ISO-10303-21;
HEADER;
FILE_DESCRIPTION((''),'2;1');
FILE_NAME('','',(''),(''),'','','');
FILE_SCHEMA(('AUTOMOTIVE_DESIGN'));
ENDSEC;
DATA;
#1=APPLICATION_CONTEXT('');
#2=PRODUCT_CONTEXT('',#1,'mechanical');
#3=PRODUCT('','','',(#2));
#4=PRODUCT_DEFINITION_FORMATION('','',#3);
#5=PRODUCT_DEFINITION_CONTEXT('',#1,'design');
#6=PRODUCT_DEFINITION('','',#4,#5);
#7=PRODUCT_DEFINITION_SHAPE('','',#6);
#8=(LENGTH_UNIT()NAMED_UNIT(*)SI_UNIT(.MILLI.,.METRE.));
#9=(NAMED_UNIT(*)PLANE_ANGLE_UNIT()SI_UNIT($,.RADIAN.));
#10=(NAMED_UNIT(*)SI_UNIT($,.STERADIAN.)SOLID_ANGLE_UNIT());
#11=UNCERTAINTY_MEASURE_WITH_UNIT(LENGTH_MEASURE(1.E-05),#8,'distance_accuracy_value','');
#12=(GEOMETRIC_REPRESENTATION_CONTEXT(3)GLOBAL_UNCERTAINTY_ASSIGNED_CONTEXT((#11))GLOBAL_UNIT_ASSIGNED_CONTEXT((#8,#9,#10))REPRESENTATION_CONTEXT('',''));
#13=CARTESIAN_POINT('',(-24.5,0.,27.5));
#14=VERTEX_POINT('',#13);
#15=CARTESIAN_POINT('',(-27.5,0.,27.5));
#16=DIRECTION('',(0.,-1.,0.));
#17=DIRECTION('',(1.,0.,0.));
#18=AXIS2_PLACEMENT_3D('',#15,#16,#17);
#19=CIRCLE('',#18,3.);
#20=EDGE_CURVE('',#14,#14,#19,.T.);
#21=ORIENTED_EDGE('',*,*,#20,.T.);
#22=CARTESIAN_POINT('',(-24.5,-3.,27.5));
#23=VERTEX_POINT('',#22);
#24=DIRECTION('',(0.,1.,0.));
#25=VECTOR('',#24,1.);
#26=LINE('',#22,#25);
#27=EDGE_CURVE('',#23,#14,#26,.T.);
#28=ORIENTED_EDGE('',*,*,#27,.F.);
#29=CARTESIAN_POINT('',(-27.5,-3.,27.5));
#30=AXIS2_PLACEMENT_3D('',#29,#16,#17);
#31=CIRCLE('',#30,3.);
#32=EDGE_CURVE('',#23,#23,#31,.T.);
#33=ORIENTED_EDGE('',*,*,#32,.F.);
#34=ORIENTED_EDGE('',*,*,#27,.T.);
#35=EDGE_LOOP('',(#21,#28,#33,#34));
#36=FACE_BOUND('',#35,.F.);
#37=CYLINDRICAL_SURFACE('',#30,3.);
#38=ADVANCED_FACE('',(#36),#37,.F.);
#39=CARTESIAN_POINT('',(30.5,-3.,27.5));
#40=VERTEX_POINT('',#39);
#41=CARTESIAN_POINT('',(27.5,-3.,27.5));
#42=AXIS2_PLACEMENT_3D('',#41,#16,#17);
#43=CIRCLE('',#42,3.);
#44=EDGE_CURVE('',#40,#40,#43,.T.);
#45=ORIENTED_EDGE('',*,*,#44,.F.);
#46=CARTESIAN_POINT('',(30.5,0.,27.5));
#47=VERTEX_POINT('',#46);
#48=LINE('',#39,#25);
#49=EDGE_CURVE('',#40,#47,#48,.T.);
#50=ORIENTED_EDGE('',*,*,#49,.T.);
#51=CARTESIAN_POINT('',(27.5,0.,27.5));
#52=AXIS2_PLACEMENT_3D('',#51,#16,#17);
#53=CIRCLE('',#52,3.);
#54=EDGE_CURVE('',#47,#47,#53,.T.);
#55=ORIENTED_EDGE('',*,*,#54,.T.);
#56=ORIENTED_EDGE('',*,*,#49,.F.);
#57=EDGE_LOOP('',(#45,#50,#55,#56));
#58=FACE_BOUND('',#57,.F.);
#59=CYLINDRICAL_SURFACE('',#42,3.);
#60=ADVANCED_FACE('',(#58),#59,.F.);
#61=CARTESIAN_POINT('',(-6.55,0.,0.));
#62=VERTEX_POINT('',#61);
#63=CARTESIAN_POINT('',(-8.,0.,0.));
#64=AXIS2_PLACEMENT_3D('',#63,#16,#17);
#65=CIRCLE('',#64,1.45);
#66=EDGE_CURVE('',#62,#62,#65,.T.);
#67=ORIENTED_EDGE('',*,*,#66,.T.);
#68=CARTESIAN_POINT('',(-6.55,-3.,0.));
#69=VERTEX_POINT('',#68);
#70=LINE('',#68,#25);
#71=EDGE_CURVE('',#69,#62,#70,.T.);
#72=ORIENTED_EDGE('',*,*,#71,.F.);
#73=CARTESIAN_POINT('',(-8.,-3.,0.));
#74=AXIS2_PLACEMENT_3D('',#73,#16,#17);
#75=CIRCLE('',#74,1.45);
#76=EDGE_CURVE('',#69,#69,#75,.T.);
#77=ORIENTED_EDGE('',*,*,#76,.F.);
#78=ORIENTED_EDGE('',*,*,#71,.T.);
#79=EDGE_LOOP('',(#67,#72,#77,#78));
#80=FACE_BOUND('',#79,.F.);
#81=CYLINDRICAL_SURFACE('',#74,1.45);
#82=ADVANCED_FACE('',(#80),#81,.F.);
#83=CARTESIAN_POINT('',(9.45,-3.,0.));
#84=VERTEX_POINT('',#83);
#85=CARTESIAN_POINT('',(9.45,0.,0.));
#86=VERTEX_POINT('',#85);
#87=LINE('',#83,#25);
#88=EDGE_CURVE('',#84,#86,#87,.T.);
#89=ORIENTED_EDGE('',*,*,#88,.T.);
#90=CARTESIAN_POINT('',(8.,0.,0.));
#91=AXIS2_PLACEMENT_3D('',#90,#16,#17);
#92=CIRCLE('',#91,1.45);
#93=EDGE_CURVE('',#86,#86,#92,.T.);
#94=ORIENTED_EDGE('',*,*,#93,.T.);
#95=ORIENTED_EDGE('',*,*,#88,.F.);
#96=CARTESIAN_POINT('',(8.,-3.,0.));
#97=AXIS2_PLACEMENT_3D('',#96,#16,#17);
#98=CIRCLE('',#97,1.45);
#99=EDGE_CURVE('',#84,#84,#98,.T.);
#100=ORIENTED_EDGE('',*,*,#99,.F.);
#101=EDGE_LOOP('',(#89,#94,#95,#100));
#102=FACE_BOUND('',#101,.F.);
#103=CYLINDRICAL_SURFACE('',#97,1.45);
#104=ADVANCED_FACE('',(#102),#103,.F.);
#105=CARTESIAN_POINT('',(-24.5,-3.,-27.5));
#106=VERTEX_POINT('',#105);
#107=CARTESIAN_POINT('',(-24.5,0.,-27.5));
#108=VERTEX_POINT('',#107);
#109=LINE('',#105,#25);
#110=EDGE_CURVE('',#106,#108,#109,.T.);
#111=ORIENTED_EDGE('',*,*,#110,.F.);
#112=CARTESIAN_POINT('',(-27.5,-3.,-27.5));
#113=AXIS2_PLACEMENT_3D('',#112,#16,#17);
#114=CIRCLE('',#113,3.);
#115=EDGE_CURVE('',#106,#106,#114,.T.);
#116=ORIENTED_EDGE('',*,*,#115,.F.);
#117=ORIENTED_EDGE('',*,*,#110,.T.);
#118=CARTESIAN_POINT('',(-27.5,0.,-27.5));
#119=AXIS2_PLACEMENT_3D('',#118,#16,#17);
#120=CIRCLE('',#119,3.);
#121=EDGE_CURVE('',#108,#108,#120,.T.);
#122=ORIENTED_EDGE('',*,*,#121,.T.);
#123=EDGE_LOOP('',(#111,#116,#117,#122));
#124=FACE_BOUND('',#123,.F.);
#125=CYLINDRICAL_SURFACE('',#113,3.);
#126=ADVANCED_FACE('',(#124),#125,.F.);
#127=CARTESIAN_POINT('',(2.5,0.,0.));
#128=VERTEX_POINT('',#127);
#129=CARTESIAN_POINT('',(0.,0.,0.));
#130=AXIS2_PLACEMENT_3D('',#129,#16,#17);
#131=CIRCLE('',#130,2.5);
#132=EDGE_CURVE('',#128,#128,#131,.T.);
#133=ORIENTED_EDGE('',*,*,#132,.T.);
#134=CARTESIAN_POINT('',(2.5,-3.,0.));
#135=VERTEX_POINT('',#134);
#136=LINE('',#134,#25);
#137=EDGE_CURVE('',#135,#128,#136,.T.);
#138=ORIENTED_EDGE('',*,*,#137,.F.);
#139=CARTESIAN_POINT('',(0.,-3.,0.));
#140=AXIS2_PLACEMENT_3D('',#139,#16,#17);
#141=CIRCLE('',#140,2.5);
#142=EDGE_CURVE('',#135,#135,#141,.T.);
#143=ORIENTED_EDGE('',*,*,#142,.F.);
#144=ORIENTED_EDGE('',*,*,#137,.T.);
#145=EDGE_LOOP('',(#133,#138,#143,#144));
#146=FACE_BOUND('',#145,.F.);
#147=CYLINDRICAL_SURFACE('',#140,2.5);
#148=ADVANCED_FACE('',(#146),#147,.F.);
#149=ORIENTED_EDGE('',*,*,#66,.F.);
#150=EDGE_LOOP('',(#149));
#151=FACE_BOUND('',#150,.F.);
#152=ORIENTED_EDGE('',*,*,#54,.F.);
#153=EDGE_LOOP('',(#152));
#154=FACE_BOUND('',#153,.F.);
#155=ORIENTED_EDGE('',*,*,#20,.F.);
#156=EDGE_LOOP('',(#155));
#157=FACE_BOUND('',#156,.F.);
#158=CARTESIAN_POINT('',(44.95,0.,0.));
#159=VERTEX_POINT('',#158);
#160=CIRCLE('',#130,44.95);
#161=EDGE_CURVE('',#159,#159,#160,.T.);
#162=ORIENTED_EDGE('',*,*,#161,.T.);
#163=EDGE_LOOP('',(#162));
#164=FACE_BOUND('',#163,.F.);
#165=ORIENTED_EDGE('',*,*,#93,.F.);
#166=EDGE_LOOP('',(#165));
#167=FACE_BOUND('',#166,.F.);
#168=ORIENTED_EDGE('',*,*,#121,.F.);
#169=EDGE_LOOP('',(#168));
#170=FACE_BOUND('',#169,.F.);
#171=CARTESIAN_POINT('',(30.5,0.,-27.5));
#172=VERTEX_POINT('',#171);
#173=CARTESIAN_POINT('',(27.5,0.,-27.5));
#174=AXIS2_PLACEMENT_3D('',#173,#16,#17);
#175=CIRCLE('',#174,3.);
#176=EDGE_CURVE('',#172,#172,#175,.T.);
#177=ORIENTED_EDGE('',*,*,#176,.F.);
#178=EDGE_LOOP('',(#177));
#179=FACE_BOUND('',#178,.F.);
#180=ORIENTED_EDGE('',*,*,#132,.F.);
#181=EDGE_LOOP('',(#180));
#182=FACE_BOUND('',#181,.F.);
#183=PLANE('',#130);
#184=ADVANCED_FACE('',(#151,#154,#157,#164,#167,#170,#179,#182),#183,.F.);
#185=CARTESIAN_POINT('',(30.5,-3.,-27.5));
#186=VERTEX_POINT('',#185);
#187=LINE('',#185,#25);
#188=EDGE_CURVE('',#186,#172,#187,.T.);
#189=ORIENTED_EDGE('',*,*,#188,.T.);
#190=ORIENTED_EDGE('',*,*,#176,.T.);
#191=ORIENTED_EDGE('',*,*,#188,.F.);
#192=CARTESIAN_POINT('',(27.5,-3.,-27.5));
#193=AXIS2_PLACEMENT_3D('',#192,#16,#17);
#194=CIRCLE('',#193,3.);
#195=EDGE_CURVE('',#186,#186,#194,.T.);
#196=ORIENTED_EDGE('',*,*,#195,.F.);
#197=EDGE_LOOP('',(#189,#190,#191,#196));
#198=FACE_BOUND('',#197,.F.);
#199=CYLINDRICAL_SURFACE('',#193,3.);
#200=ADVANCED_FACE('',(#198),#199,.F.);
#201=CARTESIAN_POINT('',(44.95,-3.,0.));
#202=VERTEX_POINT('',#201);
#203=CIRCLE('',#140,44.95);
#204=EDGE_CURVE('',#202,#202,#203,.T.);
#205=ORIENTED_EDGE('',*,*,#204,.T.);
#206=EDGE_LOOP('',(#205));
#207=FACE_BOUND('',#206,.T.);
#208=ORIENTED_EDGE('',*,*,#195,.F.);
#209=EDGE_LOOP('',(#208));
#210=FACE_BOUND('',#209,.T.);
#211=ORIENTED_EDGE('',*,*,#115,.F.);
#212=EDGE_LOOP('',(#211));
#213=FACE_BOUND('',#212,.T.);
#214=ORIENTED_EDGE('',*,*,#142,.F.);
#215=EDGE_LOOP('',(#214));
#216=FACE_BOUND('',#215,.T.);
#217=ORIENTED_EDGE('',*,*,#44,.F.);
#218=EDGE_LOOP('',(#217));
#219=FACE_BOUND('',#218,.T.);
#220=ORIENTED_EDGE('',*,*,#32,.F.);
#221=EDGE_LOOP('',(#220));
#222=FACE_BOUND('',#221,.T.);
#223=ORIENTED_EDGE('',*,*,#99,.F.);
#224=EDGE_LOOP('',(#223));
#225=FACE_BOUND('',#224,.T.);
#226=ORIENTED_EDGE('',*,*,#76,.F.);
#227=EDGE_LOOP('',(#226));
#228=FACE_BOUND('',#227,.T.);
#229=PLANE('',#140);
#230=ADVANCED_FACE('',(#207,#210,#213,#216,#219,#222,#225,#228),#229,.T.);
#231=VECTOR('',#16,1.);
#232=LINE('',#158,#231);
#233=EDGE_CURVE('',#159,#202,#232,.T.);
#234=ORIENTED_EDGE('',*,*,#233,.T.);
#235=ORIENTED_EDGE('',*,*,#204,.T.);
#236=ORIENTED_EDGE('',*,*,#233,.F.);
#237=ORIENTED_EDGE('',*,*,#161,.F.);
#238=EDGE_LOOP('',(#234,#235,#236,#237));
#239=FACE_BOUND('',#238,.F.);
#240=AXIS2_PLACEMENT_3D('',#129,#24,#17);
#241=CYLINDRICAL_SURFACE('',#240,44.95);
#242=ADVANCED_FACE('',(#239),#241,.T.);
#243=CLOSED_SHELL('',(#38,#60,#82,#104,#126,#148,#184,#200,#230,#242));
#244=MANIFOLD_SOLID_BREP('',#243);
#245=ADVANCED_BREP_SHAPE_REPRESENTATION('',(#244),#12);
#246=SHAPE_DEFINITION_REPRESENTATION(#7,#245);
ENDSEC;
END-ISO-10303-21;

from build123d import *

# Parameters (mm, degrees)
F0_R     = 44.95
F1_DEPTH = 3
F2_R     = 1.45
F2_R_2   = 2.5
F3_DEPTH = 3.001
F4_R     = 3
F5_DEPTH = 3.001


with BuildPart() as f1:
    # F0 (on Front) → F1 (new body)
    with BuildSketch(Plane.XZ):
        Circle(F0_R)
    extrude(amount=F1_DEPTH)

    # F2 (on face) → F3 (cut, through all)
    with BuildSketch(Plane.XZ.offset(3)):
        with Locations((-8, 0)):
            Circle(F2_R)
        with Locations((8, 0)):
            Circle(F2_R)
        Circle(F2_R_2)
    extrude(amount=-F3_DEPTH, mode=Mode.SUBTRACT)

    # F4 (on face) → F5 (cut, through all)
    with BuildSketch(Plane.XZ.offset(3)):
        with Locations((-27.5, 27.5)):
            Circle(F4_R)
        with Locations((27.5, 27.5)):
            Circle(F4_R)
        with Locations((-27.5, -27.5)):
            Circle(F4_R)
        with Locations((27.5, -27.5)):
            Circle(F4_R)
    extrude(amount=-F5_DEPTH, mode=Mode.SUBTRACT)


solid = f1.part
